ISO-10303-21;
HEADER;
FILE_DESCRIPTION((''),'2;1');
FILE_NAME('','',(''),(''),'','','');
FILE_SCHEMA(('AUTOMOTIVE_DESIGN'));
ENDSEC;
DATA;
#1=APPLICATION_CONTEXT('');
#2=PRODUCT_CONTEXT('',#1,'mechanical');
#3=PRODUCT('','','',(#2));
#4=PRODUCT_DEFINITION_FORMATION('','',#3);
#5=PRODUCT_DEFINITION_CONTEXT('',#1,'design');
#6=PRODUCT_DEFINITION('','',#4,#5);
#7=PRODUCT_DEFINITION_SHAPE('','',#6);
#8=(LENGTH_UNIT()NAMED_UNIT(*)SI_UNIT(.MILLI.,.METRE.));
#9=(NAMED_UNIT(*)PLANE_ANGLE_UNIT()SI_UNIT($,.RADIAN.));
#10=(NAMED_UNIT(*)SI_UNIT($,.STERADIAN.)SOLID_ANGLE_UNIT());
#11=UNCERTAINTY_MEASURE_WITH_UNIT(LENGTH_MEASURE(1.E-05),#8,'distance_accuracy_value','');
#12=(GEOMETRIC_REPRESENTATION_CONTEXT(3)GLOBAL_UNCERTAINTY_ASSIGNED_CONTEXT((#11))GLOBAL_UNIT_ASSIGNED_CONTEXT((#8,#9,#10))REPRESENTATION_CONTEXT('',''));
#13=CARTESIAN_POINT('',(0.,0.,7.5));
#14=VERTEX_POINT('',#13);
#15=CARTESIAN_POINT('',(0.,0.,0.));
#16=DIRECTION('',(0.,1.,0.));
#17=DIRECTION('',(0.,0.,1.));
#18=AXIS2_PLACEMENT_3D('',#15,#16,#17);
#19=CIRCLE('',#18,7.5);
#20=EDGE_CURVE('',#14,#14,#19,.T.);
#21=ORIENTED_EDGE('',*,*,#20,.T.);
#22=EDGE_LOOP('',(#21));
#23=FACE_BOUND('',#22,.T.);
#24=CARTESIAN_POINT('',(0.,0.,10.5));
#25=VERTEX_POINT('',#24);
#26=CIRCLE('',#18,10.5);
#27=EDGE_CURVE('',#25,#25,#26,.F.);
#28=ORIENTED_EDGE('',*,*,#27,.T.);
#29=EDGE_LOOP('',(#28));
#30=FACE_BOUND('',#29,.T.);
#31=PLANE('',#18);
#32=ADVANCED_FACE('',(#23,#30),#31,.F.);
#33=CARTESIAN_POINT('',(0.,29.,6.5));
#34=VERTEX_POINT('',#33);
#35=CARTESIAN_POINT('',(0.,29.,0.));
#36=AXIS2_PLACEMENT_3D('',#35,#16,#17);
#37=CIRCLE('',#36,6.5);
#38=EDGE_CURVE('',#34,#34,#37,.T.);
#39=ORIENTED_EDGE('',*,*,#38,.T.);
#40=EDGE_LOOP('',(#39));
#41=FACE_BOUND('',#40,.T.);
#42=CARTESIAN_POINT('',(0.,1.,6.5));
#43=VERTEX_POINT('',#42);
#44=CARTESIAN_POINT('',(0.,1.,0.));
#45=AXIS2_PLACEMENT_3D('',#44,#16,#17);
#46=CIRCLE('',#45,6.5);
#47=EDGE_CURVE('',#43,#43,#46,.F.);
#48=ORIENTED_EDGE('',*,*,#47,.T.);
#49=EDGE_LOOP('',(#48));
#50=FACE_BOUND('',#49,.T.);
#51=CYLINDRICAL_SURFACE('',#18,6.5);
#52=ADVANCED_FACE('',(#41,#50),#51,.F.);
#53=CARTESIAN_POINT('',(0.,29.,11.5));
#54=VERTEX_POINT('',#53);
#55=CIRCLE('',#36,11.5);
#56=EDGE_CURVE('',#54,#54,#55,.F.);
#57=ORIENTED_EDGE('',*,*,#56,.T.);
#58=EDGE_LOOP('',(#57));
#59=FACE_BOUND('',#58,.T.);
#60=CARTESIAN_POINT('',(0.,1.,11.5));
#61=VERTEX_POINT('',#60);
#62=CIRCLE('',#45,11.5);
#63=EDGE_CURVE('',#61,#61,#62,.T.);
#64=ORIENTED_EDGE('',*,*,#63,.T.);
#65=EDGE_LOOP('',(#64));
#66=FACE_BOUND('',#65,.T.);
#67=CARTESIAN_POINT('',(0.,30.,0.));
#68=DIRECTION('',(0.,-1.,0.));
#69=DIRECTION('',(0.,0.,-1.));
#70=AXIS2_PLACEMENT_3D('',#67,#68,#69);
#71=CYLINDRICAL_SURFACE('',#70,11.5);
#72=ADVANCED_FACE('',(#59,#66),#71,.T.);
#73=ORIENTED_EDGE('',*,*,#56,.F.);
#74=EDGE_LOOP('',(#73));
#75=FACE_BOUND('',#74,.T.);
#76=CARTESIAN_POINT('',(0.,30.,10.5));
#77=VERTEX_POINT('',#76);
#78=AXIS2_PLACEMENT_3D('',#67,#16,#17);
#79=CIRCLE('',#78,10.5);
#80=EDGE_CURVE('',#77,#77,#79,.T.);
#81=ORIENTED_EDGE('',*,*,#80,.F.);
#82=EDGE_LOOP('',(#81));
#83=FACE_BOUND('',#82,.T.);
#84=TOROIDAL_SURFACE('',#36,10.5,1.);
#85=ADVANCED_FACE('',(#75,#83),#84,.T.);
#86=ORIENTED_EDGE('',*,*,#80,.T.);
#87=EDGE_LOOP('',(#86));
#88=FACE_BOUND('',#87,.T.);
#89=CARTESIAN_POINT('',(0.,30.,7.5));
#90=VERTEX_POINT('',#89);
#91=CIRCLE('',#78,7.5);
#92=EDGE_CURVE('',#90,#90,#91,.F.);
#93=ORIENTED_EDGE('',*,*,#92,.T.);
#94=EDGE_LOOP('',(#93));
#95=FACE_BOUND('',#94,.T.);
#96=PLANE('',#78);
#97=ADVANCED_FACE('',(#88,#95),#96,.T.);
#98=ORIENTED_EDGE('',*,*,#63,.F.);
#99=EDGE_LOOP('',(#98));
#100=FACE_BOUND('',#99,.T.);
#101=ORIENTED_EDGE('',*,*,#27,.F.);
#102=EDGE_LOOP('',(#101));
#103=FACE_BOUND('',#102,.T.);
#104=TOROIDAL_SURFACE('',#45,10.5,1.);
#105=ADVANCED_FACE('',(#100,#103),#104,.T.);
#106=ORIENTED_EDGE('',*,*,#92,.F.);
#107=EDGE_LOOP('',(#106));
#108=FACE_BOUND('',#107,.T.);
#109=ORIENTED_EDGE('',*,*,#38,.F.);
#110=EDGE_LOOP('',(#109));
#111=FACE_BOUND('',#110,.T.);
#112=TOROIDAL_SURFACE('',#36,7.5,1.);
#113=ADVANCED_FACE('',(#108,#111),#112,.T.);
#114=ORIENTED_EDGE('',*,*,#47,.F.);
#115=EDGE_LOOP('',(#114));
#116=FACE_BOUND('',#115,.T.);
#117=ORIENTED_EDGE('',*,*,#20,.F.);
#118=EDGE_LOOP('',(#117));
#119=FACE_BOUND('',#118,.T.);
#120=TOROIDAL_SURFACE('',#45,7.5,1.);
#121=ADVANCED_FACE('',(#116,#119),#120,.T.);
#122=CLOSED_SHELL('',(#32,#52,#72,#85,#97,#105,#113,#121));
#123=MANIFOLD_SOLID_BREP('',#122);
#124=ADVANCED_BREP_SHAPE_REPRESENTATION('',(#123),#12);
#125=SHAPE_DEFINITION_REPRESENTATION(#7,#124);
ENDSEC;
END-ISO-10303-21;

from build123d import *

# Parameters (mm, degrees)
SKETCH1_R           = 11.5
BOSS_EXTRUDE1_DEPTH = 30
SKETCH2_R           = 6.5
CUT_EXTRUDE1_DEPTH  = 35.124771062
FILLET2_R           = 1


with BuildPart() as part:
    # Sketch1 → Boss-Extrude1 (new body)
    with BuildSketch(Plane(origin=(0, 0, 0), x_dir=(1, 0, 0), z_dir=(0, 1, 0))):
        with Locations(Location((0, 0, 0), (0, 0, 270))):
            Circle(SKETCH1_R)
    extrude(amount=BOSS_EXTRUDE1_DEPTH)

    # Sketch2 → Cut-Extrude1 (cut, through all)
    with BuildSketch(Plane(origin=(0, 30, 0), x_dir=(1, 0, 0), z_dir=(0, 1, 0))):
        with Locations(Location((0, 0, 0), (0, 0, 270))):
            Circle(SKETCH2_R)
    extrude(amount=-CUT_EXTRUDE1_DEPTH, mode=Mode.SUBTRACT)

    # Fillet2
    fillet2_edges = [part.edges().sort_by_distance(p)[0] for p in [
        (0, 0, -11.5),
        (0, 30, -11.5),
        (0, 0, -6.5),
        (0, 30, -6.5),
    ]]
    fillet(fillet2_edges, radius=FILLET2_R)


solid = part.part
